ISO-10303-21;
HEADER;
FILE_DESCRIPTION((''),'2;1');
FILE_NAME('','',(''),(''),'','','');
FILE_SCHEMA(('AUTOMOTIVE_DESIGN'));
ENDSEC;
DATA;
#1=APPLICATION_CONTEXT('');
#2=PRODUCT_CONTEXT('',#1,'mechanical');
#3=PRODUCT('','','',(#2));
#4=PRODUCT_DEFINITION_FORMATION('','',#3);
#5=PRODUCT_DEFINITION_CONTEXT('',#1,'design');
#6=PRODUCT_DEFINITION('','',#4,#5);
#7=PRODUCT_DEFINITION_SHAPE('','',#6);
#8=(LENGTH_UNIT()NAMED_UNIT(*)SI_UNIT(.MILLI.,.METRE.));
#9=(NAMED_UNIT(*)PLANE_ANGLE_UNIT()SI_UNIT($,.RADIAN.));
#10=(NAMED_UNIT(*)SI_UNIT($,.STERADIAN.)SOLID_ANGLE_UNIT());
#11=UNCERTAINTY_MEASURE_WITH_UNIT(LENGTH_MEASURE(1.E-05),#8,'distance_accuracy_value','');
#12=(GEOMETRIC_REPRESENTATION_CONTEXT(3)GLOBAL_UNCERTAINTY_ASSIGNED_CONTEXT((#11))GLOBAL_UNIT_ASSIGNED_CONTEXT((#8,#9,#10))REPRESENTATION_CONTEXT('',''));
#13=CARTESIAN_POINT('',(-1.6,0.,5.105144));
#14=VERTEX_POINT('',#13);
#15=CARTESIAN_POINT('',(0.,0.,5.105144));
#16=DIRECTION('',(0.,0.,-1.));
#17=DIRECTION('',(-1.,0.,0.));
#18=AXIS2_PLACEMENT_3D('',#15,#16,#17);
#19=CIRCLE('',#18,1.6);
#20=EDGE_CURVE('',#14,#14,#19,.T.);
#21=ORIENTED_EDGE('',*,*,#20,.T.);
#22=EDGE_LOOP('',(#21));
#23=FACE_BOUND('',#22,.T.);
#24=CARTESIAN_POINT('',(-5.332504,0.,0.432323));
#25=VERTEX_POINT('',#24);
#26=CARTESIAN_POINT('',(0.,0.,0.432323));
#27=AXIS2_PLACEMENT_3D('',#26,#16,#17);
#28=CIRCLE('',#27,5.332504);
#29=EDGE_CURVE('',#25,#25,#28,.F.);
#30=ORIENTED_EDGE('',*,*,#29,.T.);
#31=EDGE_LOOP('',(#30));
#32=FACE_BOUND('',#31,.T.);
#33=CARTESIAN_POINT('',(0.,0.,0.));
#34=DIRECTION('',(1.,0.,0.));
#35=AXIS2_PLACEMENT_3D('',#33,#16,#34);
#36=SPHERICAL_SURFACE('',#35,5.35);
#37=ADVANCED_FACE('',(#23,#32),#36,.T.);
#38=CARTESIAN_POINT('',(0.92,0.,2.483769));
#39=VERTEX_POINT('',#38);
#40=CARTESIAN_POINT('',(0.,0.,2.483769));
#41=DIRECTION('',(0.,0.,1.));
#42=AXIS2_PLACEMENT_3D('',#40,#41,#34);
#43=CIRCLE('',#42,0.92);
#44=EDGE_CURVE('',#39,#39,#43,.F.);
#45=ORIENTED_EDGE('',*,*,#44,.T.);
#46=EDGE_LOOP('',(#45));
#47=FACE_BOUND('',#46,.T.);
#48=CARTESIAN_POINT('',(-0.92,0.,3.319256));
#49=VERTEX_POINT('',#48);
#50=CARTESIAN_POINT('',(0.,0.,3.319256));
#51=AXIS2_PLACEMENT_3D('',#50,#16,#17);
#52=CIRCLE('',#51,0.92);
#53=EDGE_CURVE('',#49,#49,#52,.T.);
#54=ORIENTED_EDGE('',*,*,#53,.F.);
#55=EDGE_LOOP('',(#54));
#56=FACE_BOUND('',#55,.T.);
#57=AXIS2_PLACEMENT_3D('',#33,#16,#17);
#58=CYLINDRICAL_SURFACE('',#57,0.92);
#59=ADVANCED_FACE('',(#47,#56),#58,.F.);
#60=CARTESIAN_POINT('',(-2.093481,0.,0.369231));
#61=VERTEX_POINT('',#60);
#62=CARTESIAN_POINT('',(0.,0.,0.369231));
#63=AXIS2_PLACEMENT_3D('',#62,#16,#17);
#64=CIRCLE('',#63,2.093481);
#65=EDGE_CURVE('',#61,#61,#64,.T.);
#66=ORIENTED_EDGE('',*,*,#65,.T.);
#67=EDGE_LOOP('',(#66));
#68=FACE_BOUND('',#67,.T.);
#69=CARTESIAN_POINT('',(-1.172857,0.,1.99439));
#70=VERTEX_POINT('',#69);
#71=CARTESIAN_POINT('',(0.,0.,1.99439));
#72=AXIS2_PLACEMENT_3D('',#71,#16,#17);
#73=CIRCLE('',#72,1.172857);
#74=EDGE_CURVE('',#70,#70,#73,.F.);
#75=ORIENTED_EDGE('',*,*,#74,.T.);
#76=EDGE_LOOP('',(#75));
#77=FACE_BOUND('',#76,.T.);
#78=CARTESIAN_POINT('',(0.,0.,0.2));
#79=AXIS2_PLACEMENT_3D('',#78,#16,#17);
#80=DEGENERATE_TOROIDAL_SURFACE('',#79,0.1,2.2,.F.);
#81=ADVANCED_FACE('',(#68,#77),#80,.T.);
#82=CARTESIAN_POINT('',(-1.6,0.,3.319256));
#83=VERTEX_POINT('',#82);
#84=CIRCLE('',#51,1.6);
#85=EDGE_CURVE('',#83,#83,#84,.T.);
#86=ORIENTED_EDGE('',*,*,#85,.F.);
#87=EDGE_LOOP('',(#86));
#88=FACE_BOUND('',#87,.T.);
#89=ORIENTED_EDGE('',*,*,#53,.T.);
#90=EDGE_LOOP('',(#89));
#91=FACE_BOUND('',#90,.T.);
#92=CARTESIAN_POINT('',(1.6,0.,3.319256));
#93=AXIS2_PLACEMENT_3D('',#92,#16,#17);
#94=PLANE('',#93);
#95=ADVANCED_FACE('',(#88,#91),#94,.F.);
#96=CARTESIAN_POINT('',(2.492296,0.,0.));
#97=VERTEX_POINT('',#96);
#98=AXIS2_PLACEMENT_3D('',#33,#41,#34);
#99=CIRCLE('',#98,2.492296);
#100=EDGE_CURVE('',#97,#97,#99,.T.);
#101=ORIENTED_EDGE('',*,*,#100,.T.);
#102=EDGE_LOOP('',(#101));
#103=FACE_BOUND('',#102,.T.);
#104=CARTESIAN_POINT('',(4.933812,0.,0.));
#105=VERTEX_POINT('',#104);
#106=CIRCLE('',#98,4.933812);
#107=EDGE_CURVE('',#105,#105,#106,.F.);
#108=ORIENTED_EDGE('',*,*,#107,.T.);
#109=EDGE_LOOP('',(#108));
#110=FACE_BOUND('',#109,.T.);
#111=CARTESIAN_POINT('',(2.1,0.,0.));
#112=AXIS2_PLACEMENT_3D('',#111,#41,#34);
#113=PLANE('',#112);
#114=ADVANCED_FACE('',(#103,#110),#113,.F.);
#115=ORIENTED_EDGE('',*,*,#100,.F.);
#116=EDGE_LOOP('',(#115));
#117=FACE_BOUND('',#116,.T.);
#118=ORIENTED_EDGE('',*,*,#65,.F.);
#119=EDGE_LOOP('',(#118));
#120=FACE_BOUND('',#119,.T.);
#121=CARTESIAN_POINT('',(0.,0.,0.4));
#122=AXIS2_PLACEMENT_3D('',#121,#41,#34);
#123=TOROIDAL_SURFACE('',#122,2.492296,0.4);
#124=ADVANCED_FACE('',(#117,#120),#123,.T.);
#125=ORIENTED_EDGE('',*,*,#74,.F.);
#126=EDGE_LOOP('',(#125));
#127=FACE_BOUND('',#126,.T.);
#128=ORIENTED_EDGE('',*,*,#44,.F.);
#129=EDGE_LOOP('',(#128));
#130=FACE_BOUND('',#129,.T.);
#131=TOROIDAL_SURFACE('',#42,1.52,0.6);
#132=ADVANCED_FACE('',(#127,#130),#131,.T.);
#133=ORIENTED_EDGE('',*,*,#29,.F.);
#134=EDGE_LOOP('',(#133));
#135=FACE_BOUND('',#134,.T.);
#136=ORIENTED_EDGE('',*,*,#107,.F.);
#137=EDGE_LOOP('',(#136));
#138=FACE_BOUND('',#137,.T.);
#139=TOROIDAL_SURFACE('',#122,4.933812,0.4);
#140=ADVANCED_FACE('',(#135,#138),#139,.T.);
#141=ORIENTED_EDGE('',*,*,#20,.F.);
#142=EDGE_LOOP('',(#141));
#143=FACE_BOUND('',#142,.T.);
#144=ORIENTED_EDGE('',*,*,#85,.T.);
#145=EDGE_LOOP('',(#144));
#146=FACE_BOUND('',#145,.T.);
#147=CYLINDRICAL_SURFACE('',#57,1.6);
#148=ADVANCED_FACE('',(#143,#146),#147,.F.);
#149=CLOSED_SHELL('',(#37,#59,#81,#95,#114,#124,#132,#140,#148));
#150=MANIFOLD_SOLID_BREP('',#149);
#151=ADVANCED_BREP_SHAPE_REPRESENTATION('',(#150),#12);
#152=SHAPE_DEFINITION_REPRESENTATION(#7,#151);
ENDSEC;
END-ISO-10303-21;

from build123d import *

# Parameters (mm, degrees)
BOTTOM_FILLET_R = 0.4
FILLET1_R       = 0.6


with BuildPart() as part:
    # Sketch2 → Main Body (revolve)
    with BuildSketch(Plane(origin=(0, 0, 0), x_dir=(1, 0, 0), z_dir=(0, 1, 0))):
        with BuildLine():
            Line((2.1, 0), (5.35, 0))
            ThreePointArc((5.35, 0), (4.311757182, -3.167214865), (1.6, -5.105144464))
            Line((1.6, -5.105144464), (1.6, -3.319256268))
            Line((1.6, -3.319256268), (0.92, -3.319256268))
            Line((0.92, -3.319256268), (0.92, -2.149256268))
            ThreePointArc((0.92, -2.149256268), (1.782020191, -1.339298029), (2.1, -0.2))
            Line((2.1, -0.2), (2.1, 0))
        make_face()
    revolve(axis=Axis((0, 0, 0), (0, 0, 1)))

    # Bottom Fillet
    bottom_fillet_edges = [part.edges().sort_by_distance(p)[0] for p in [
        (-5.35, 0, 0),
        (-2.1, 0, 0),
    ]]
    fillet(bottom_fillet_edges, radius=BOTTOM_FILLET_R)

    # Fillet1
    fillet1_edges = [part.edges().sort_by_distance(p)[0] for p in [
        (-0.92, 0, 2.149256268),
    ]]
    fillet(fillet1_edges, radius=FILLET1_R)


solid = part.part
